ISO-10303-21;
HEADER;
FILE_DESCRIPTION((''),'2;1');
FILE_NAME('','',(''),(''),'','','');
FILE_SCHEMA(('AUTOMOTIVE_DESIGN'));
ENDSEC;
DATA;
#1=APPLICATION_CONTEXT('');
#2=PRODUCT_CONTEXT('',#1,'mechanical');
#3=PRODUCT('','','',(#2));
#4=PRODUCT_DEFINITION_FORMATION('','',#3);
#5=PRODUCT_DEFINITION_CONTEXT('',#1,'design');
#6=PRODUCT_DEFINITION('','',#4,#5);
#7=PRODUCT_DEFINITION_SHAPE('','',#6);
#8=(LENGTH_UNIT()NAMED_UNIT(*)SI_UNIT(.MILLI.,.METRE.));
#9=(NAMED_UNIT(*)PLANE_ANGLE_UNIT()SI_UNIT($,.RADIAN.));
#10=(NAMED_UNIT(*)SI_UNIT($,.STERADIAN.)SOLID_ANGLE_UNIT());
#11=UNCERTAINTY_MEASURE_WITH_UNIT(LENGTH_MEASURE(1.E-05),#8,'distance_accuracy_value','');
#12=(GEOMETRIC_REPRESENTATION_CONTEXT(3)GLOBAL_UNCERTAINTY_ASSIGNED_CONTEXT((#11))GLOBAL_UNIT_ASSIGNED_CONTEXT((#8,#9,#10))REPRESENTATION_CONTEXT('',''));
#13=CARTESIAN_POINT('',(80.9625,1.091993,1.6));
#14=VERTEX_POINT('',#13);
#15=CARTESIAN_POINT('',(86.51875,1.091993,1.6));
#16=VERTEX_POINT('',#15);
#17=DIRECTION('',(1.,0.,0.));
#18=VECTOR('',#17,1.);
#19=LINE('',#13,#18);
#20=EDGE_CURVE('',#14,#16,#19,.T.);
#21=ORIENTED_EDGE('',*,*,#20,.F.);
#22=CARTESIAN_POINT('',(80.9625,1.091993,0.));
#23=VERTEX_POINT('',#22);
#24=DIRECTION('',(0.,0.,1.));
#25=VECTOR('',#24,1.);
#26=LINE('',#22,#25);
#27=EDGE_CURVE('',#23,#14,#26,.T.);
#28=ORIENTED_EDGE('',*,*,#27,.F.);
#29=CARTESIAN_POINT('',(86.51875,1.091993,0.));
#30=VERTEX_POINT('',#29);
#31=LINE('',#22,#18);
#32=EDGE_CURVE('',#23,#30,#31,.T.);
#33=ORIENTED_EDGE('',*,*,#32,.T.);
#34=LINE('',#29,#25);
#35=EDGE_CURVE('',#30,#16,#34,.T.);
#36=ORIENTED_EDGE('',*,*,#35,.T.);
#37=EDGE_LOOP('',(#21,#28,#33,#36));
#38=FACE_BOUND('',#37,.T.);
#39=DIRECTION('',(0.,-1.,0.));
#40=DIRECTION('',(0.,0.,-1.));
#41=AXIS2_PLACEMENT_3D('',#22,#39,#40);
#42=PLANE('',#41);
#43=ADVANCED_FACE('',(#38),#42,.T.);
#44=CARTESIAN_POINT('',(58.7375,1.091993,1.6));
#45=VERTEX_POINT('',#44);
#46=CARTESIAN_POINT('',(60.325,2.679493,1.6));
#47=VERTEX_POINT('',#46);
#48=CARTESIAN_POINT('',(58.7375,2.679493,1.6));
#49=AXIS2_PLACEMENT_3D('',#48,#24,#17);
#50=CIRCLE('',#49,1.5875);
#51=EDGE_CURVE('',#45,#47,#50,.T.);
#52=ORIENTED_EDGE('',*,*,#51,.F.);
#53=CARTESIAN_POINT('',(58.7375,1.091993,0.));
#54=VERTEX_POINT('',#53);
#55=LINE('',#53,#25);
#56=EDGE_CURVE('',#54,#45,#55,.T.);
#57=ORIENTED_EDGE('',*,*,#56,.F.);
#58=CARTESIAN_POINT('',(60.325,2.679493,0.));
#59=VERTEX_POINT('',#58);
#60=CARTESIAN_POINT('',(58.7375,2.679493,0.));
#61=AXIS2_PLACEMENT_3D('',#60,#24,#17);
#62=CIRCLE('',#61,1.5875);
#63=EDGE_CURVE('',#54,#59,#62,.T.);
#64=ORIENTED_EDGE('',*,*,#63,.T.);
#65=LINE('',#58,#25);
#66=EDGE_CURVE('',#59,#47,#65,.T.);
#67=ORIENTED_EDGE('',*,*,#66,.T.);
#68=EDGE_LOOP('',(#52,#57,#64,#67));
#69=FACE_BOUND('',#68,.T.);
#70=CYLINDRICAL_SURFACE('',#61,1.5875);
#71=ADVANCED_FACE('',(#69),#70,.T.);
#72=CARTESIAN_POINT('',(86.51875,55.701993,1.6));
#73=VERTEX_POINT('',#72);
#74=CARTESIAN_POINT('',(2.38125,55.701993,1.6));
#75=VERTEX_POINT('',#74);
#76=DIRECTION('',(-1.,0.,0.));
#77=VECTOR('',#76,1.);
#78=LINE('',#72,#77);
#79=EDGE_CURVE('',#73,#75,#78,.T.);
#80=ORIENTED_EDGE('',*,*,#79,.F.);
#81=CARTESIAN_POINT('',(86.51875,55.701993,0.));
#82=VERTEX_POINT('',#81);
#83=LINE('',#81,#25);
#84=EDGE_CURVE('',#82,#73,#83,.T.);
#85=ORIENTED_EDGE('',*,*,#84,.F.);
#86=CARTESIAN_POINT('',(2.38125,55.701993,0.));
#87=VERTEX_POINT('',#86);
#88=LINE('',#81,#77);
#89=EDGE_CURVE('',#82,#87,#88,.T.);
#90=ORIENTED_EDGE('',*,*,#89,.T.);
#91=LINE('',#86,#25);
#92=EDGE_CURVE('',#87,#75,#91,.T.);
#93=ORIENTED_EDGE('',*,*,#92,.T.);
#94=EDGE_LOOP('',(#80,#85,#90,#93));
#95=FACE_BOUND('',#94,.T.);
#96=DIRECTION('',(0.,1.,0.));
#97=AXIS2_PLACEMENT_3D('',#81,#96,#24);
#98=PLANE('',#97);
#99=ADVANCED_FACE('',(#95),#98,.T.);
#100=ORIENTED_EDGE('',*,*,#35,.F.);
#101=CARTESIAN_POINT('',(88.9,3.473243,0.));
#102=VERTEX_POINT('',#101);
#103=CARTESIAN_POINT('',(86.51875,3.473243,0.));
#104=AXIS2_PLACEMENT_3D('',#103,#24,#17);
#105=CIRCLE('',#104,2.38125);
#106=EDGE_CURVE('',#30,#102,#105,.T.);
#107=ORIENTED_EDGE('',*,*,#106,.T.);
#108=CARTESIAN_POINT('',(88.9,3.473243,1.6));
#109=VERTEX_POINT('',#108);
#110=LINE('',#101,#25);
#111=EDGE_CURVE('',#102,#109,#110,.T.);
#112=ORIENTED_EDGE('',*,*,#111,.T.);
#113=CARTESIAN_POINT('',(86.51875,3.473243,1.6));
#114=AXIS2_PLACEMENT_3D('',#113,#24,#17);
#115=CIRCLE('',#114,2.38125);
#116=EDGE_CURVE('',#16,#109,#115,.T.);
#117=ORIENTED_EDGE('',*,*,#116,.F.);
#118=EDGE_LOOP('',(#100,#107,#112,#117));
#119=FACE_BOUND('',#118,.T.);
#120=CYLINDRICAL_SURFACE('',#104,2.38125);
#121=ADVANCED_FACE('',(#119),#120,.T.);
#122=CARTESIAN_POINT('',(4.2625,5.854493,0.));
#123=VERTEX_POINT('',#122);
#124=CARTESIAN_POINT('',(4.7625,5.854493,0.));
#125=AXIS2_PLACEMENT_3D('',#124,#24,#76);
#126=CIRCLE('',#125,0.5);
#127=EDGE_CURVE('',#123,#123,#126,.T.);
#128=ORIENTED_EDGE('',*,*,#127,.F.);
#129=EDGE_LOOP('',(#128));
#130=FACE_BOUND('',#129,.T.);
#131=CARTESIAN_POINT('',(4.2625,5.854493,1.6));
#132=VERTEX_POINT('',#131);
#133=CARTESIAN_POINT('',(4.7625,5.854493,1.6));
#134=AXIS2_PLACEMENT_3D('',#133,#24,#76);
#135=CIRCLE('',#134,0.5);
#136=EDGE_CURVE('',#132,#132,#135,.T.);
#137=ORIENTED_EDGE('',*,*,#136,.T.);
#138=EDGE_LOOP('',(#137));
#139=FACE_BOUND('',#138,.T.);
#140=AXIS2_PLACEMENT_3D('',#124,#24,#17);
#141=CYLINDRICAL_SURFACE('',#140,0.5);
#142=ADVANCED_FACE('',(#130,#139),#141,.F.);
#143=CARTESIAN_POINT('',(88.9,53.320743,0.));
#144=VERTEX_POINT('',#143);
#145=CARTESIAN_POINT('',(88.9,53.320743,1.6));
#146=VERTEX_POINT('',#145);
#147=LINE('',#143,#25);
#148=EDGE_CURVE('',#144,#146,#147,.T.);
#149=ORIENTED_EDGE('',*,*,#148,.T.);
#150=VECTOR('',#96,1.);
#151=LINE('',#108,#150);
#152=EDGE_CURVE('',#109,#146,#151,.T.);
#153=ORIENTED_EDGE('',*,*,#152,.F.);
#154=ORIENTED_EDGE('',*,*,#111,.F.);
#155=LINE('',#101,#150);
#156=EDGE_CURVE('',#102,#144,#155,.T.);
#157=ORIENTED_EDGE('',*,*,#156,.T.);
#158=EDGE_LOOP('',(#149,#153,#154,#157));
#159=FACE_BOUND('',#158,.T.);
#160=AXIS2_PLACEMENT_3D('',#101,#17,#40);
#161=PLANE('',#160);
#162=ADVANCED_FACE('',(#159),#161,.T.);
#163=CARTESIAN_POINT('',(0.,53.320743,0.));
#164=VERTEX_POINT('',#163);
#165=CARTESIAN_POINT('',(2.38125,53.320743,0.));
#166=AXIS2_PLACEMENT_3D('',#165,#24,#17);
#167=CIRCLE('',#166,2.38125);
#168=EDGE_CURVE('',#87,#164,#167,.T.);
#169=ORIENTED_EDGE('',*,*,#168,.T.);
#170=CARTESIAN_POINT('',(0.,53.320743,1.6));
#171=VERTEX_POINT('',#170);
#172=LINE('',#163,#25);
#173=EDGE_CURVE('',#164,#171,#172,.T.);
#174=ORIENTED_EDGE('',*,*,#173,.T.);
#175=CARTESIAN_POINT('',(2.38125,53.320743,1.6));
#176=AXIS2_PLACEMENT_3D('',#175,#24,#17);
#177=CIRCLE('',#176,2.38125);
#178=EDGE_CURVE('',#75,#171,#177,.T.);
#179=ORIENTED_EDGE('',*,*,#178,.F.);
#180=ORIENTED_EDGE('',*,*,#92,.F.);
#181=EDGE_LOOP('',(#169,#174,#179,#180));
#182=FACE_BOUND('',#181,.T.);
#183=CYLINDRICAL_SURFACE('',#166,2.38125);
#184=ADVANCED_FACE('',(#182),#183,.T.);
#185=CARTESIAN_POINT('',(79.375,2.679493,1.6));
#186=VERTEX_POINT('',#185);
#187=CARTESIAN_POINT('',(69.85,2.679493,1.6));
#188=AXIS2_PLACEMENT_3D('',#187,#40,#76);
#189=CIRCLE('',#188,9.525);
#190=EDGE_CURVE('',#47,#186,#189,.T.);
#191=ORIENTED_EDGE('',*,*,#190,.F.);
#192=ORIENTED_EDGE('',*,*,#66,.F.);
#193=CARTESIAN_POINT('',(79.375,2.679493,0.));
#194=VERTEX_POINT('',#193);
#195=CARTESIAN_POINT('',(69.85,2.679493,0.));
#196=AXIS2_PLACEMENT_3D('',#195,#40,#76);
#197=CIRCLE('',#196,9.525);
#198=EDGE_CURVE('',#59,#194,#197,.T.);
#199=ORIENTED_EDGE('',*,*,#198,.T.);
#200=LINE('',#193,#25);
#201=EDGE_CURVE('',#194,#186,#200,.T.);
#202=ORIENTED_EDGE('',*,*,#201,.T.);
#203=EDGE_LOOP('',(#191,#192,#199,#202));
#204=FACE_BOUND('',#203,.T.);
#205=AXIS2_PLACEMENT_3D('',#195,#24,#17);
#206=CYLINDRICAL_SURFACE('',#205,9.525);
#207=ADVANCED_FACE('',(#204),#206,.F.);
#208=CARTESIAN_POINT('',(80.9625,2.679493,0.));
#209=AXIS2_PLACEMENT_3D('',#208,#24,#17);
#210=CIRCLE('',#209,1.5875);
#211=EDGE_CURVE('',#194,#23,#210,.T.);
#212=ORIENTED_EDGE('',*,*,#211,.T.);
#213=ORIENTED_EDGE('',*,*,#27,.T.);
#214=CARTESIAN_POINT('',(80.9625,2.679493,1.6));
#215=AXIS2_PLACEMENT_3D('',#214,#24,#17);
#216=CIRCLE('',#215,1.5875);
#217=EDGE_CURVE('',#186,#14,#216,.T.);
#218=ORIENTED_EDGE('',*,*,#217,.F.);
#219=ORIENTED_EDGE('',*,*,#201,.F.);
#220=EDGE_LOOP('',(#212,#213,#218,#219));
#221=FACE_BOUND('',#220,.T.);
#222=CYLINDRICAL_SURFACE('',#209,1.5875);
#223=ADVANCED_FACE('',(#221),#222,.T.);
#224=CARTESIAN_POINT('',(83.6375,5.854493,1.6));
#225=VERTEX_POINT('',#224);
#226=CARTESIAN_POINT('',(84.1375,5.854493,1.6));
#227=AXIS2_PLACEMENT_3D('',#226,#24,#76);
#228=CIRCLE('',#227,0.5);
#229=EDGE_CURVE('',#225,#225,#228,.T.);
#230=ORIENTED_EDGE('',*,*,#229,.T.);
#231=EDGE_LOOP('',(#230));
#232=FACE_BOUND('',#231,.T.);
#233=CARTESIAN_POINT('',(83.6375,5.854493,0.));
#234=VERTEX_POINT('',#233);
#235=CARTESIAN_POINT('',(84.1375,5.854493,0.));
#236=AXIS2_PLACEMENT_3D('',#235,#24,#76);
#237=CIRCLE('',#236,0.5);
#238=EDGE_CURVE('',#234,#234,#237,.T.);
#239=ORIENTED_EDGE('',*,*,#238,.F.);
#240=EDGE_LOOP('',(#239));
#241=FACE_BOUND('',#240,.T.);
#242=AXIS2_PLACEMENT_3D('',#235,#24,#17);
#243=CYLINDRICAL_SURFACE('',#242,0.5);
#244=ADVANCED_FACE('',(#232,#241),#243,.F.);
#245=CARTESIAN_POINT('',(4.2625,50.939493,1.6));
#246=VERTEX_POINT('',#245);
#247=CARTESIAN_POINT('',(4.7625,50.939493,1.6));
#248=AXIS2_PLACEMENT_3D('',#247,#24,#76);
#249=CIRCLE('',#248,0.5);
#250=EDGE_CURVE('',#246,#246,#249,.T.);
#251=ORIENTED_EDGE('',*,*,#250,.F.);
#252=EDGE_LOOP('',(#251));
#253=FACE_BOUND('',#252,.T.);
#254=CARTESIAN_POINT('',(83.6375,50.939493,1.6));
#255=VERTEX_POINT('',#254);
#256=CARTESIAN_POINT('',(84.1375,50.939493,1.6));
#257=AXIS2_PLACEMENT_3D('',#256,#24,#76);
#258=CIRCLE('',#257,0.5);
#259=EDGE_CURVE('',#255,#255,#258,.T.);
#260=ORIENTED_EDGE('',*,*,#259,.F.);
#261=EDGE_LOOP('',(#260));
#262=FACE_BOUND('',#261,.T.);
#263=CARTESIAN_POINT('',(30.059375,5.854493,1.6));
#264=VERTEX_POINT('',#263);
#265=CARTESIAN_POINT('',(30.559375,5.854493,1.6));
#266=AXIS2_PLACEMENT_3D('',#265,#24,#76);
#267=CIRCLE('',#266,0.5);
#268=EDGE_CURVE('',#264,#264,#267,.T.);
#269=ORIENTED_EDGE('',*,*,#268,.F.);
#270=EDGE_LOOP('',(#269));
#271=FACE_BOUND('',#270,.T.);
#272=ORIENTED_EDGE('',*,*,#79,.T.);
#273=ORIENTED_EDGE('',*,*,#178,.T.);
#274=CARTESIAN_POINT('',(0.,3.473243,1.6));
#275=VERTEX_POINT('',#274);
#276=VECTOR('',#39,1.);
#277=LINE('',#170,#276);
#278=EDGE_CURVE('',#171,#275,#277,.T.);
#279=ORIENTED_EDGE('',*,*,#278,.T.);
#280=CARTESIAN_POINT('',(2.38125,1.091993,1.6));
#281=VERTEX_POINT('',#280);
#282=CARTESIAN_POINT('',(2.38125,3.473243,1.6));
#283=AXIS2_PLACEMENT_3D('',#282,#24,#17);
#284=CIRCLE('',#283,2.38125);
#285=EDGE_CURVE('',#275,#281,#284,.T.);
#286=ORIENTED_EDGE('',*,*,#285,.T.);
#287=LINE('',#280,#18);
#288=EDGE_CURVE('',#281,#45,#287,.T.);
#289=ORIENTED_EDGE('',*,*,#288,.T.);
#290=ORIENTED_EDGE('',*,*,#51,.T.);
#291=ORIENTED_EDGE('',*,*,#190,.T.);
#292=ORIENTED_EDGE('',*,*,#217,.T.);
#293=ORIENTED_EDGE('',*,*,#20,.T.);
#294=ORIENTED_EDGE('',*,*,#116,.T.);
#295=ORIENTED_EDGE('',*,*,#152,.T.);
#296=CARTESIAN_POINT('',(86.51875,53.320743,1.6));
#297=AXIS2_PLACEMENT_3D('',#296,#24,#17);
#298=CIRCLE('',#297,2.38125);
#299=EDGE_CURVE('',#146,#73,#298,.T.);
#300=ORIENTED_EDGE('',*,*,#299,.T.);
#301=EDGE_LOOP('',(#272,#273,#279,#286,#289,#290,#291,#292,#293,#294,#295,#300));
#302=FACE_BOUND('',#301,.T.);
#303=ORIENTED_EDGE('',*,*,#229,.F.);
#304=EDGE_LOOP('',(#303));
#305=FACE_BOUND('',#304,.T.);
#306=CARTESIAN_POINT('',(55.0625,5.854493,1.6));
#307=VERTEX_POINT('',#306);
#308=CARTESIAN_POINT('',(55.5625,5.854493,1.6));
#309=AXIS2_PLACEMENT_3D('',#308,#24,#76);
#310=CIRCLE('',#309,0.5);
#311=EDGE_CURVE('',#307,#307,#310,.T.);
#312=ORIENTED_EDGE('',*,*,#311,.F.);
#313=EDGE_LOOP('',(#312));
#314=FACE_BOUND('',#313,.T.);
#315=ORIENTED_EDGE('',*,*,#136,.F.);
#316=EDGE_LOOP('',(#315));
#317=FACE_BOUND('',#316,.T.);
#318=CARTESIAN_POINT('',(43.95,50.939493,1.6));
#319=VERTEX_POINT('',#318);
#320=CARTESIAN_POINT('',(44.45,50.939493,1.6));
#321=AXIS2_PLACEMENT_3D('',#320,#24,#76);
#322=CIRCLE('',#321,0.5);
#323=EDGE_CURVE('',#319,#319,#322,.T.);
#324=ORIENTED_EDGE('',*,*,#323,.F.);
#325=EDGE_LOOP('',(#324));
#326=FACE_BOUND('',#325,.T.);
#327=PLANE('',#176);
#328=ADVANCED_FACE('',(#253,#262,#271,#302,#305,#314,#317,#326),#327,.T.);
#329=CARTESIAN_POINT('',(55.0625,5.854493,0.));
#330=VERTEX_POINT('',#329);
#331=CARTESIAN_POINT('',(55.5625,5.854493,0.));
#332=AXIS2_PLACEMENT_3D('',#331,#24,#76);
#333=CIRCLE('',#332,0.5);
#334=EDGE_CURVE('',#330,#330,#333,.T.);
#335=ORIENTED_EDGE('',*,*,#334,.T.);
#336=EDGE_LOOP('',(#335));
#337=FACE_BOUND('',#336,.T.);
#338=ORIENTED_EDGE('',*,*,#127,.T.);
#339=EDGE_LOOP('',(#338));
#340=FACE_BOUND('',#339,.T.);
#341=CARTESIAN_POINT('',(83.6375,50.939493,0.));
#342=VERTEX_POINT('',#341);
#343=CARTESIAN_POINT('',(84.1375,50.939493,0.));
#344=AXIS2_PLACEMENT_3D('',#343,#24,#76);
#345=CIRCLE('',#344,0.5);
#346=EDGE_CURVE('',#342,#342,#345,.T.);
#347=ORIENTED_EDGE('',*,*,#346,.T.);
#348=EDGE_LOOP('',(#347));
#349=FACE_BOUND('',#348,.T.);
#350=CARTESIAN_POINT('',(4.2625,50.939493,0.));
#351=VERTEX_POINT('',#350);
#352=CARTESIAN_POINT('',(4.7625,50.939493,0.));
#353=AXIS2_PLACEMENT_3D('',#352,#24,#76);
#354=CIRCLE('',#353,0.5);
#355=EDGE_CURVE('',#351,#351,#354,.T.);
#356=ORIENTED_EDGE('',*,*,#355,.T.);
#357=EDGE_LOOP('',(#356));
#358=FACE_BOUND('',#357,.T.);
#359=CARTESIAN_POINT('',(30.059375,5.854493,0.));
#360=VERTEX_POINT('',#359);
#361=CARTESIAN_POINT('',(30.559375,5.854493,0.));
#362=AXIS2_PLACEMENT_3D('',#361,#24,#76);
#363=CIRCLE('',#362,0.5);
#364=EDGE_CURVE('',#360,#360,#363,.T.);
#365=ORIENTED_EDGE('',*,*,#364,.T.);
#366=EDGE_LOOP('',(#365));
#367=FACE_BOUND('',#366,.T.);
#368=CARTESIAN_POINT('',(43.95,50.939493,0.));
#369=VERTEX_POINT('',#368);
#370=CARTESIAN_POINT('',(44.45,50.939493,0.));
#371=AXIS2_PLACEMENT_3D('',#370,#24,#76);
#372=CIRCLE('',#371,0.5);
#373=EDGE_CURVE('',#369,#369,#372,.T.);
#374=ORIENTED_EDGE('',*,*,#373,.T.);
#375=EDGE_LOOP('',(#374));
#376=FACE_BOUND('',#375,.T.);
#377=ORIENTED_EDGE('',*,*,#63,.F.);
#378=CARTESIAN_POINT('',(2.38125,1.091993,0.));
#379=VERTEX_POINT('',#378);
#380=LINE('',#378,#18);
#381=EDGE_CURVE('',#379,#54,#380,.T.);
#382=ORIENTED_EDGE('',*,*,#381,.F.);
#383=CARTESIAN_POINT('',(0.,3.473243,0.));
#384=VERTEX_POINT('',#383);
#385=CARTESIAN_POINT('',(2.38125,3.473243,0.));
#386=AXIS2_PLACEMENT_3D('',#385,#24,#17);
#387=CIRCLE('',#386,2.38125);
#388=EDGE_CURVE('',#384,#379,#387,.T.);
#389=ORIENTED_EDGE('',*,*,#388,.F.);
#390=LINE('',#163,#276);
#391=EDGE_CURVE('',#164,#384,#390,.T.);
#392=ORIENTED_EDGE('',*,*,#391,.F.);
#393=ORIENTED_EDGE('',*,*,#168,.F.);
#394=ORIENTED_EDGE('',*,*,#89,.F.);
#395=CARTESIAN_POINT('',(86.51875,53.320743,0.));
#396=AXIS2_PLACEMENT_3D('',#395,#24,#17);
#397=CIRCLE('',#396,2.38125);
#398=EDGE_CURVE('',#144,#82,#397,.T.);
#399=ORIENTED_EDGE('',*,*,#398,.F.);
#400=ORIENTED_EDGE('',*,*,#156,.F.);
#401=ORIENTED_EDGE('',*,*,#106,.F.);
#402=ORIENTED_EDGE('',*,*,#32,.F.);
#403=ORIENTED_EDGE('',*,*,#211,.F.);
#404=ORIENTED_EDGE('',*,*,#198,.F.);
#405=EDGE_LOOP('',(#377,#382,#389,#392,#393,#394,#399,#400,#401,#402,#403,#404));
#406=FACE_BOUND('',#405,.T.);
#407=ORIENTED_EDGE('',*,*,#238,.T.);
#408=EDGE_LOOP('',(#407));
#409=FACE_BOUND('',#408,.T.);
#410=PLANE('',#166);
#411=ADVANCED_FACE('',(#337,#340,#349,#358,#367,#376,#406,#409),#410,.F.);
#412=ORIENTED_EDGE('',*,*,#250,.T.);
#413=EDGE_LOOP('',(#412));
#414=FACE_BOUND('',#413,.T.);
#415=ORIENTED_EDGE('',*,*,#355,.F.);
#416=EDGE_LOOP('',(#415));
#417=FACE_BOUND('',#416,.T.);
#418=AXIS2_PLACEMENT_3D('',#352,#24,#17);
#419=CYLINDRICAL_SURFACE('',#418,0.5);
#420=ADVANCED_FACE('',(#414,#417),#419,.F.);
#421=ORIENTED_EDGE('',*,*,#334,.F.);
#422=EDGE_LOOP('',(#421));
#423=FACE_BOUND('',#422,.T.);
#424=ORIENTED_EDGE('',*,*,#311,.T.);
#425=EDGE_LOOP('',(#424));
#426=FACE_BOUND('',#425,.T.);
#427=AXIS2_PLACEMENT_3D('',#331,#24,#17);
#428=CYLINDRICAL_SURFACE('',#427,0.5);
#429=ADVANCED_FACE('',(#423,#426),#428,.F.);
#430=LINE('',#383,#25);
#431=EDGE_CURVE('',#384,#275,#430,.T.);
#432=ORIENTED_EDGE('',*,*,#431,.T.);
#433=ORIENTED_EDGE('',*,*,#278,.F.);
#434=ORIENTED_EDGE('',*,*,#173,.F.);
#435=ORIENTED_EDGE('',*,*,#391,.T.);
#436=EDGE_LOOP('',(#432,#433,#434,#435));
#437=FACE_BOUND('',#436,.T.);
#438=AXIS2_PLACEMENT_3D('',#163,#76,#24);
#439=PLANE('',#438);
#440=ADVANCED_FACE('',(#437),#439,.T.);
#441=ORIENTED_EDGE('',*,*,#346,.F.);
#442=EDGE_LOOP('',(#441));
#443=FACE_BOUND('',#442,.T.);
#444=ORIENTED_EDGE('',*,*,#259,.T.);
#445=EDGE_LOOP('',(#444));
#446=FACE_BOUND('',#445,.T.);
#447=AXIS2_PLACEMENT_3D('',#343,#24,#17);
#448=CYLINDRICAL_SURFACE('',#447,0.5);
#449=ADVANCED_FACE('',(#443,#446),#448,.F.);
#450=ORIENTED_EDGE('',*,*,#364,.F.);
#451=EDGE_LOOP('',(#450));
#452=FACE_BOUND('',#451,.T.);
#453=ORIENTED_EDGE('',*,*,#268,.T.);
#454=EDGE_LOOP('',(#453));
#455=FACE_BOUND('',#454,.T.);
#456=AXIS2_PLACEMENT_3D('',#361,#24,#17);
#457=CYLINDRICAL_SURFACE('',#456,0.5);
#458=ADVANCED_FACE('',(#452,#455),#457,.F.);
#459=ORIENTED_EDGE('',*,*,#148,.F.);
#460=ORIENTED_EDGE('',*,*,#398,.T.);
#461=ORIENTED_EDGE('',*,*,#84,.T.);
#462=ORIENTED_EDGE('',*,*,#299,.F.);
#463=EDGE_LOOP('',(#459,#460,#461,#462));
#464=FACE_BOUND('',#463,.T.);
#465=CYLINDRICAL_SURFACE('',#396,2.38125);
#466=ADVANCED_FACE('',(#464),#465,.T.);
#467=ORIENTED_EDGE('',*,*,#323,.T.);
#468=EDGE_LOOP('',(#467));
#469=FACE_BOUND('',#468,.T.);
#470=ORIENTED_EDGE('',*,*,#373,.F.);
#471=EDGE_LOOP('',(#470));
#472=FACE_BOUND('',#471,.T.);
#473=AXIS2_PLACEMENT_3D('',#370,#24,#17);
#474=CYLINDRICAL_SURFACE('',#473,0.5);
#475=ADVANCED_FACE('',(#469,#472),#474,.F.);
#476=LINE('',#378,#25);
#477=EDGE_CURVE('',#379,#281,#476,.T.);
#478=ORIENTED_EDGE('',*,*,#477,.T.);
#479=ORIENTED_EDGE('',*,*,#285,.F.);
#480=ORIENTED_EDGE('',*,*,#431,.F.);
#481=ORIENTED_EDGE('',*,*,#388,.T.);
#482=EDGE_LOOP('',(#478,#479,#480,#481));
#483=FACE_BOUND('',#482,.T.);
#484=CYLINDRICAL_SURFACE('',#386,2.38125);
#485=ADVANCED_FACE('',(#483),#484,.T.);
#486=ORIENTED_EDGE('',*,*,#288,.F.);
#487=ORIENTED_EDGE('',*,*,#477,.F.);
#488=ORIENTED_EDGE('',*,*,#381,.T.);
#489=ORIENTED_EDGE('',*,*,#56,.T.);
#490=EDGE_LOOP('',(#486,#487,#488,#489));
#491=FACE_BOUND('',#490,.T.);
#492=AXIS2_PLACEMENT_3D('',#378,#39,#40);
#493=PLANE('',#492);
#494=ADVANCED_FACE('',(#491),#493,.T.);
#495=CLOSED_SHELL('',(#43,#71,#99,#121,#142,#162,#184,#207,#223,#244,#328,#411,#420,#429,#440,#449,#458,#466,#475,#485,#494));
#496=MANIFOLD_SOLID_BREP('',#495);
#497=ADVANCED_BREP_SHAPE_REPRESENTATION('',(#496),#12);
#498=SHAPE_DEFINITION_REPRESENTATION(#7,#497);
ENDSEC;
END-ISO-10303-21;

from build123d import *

# Parameters (mm, degrees)
SKETCH1_R           = 0.5
BOSS_EXTRUDE1_DEPTH = 1.6


with BuildPart() as part:
    # Sketch1 → Boss-Extrude1 (new body)
    with BuildSketch(Plane.XY.offset(1.6)):
        with BuildLine():
            Line((0, 53.320743496), (0, 3.473243496))
            ThreePointArc((0, 3.473243496), (0.697451977, 1.789445473), (2.38125, 1.091993496))
            Line((2.38125, 1.091993496), (58.7375, 1.091993496))
            ThreePointArc((58.7375, 1.091993496), (59.860032015, 1.556961481), (60.325, 2.679493496))
            ThreePointArc((60.325, 2.679493496), (69.85, 12.204493496), (79.375, 2.679493496))
            ThreePointArc((79.375, 2.679493496), (79.839967985, 1.556961481), (80.9625, 1.091993496))
            Line((80.9625, 1.091993496), (86.51875, 1.091993496))
            ThreePointArc((86.51875, 1.091993496), (88.202548023, 1.789445473), (88.9, 3.473243496))
            Line((88.9, 3.473243496), (88.9, 53.320743496))
            ThreePointArc((88.9, 53.320743496), (88.202548023, 55.004541519), (86.51875, 55.701993496))
            Line((86.51875, 55.701993496), (2.38125, 55.701993496))
            ThreePointArc((2.38125, 55.701993496), (0.697451977, 55.004541519), (0, 53.320743496))
        make_face()
        with Locations((4.7625, 50.939493496)):
            Circle(SKETCH1_R, mode=Mode.SUBTRACT)
        with Locations((4.7625, 5.854493496)):
            Circle(SKETCH1_R, mode=Mode.SUBTRACT)
        with Locations((84.1375, 5.854493496)):
            Circle(SKETCH1_R, mode=Mode.SUBTRACT)
        with Locations((84.1375, 50.939493496)):
            Circle(SKETCH1_R, mode=Mode.SUBTRACT)
        with Locations((30.559375, 5.854493496)):
            Circle(SKETCH1_R, mode=Mode.SUBTRACT)
        with Locations((55.5625, 5.854493496)):
            Circle(SKETCH1_R, mode=Mode.SUBTRACT)
        with Locations((44.45, 50.939493496)):
            Circle(SKETCH1_R, mode=Mode.SUBTRACT)
    extrude(amount=-BOSS_EXTRUDE1_DEPTH)


solid = part.part
